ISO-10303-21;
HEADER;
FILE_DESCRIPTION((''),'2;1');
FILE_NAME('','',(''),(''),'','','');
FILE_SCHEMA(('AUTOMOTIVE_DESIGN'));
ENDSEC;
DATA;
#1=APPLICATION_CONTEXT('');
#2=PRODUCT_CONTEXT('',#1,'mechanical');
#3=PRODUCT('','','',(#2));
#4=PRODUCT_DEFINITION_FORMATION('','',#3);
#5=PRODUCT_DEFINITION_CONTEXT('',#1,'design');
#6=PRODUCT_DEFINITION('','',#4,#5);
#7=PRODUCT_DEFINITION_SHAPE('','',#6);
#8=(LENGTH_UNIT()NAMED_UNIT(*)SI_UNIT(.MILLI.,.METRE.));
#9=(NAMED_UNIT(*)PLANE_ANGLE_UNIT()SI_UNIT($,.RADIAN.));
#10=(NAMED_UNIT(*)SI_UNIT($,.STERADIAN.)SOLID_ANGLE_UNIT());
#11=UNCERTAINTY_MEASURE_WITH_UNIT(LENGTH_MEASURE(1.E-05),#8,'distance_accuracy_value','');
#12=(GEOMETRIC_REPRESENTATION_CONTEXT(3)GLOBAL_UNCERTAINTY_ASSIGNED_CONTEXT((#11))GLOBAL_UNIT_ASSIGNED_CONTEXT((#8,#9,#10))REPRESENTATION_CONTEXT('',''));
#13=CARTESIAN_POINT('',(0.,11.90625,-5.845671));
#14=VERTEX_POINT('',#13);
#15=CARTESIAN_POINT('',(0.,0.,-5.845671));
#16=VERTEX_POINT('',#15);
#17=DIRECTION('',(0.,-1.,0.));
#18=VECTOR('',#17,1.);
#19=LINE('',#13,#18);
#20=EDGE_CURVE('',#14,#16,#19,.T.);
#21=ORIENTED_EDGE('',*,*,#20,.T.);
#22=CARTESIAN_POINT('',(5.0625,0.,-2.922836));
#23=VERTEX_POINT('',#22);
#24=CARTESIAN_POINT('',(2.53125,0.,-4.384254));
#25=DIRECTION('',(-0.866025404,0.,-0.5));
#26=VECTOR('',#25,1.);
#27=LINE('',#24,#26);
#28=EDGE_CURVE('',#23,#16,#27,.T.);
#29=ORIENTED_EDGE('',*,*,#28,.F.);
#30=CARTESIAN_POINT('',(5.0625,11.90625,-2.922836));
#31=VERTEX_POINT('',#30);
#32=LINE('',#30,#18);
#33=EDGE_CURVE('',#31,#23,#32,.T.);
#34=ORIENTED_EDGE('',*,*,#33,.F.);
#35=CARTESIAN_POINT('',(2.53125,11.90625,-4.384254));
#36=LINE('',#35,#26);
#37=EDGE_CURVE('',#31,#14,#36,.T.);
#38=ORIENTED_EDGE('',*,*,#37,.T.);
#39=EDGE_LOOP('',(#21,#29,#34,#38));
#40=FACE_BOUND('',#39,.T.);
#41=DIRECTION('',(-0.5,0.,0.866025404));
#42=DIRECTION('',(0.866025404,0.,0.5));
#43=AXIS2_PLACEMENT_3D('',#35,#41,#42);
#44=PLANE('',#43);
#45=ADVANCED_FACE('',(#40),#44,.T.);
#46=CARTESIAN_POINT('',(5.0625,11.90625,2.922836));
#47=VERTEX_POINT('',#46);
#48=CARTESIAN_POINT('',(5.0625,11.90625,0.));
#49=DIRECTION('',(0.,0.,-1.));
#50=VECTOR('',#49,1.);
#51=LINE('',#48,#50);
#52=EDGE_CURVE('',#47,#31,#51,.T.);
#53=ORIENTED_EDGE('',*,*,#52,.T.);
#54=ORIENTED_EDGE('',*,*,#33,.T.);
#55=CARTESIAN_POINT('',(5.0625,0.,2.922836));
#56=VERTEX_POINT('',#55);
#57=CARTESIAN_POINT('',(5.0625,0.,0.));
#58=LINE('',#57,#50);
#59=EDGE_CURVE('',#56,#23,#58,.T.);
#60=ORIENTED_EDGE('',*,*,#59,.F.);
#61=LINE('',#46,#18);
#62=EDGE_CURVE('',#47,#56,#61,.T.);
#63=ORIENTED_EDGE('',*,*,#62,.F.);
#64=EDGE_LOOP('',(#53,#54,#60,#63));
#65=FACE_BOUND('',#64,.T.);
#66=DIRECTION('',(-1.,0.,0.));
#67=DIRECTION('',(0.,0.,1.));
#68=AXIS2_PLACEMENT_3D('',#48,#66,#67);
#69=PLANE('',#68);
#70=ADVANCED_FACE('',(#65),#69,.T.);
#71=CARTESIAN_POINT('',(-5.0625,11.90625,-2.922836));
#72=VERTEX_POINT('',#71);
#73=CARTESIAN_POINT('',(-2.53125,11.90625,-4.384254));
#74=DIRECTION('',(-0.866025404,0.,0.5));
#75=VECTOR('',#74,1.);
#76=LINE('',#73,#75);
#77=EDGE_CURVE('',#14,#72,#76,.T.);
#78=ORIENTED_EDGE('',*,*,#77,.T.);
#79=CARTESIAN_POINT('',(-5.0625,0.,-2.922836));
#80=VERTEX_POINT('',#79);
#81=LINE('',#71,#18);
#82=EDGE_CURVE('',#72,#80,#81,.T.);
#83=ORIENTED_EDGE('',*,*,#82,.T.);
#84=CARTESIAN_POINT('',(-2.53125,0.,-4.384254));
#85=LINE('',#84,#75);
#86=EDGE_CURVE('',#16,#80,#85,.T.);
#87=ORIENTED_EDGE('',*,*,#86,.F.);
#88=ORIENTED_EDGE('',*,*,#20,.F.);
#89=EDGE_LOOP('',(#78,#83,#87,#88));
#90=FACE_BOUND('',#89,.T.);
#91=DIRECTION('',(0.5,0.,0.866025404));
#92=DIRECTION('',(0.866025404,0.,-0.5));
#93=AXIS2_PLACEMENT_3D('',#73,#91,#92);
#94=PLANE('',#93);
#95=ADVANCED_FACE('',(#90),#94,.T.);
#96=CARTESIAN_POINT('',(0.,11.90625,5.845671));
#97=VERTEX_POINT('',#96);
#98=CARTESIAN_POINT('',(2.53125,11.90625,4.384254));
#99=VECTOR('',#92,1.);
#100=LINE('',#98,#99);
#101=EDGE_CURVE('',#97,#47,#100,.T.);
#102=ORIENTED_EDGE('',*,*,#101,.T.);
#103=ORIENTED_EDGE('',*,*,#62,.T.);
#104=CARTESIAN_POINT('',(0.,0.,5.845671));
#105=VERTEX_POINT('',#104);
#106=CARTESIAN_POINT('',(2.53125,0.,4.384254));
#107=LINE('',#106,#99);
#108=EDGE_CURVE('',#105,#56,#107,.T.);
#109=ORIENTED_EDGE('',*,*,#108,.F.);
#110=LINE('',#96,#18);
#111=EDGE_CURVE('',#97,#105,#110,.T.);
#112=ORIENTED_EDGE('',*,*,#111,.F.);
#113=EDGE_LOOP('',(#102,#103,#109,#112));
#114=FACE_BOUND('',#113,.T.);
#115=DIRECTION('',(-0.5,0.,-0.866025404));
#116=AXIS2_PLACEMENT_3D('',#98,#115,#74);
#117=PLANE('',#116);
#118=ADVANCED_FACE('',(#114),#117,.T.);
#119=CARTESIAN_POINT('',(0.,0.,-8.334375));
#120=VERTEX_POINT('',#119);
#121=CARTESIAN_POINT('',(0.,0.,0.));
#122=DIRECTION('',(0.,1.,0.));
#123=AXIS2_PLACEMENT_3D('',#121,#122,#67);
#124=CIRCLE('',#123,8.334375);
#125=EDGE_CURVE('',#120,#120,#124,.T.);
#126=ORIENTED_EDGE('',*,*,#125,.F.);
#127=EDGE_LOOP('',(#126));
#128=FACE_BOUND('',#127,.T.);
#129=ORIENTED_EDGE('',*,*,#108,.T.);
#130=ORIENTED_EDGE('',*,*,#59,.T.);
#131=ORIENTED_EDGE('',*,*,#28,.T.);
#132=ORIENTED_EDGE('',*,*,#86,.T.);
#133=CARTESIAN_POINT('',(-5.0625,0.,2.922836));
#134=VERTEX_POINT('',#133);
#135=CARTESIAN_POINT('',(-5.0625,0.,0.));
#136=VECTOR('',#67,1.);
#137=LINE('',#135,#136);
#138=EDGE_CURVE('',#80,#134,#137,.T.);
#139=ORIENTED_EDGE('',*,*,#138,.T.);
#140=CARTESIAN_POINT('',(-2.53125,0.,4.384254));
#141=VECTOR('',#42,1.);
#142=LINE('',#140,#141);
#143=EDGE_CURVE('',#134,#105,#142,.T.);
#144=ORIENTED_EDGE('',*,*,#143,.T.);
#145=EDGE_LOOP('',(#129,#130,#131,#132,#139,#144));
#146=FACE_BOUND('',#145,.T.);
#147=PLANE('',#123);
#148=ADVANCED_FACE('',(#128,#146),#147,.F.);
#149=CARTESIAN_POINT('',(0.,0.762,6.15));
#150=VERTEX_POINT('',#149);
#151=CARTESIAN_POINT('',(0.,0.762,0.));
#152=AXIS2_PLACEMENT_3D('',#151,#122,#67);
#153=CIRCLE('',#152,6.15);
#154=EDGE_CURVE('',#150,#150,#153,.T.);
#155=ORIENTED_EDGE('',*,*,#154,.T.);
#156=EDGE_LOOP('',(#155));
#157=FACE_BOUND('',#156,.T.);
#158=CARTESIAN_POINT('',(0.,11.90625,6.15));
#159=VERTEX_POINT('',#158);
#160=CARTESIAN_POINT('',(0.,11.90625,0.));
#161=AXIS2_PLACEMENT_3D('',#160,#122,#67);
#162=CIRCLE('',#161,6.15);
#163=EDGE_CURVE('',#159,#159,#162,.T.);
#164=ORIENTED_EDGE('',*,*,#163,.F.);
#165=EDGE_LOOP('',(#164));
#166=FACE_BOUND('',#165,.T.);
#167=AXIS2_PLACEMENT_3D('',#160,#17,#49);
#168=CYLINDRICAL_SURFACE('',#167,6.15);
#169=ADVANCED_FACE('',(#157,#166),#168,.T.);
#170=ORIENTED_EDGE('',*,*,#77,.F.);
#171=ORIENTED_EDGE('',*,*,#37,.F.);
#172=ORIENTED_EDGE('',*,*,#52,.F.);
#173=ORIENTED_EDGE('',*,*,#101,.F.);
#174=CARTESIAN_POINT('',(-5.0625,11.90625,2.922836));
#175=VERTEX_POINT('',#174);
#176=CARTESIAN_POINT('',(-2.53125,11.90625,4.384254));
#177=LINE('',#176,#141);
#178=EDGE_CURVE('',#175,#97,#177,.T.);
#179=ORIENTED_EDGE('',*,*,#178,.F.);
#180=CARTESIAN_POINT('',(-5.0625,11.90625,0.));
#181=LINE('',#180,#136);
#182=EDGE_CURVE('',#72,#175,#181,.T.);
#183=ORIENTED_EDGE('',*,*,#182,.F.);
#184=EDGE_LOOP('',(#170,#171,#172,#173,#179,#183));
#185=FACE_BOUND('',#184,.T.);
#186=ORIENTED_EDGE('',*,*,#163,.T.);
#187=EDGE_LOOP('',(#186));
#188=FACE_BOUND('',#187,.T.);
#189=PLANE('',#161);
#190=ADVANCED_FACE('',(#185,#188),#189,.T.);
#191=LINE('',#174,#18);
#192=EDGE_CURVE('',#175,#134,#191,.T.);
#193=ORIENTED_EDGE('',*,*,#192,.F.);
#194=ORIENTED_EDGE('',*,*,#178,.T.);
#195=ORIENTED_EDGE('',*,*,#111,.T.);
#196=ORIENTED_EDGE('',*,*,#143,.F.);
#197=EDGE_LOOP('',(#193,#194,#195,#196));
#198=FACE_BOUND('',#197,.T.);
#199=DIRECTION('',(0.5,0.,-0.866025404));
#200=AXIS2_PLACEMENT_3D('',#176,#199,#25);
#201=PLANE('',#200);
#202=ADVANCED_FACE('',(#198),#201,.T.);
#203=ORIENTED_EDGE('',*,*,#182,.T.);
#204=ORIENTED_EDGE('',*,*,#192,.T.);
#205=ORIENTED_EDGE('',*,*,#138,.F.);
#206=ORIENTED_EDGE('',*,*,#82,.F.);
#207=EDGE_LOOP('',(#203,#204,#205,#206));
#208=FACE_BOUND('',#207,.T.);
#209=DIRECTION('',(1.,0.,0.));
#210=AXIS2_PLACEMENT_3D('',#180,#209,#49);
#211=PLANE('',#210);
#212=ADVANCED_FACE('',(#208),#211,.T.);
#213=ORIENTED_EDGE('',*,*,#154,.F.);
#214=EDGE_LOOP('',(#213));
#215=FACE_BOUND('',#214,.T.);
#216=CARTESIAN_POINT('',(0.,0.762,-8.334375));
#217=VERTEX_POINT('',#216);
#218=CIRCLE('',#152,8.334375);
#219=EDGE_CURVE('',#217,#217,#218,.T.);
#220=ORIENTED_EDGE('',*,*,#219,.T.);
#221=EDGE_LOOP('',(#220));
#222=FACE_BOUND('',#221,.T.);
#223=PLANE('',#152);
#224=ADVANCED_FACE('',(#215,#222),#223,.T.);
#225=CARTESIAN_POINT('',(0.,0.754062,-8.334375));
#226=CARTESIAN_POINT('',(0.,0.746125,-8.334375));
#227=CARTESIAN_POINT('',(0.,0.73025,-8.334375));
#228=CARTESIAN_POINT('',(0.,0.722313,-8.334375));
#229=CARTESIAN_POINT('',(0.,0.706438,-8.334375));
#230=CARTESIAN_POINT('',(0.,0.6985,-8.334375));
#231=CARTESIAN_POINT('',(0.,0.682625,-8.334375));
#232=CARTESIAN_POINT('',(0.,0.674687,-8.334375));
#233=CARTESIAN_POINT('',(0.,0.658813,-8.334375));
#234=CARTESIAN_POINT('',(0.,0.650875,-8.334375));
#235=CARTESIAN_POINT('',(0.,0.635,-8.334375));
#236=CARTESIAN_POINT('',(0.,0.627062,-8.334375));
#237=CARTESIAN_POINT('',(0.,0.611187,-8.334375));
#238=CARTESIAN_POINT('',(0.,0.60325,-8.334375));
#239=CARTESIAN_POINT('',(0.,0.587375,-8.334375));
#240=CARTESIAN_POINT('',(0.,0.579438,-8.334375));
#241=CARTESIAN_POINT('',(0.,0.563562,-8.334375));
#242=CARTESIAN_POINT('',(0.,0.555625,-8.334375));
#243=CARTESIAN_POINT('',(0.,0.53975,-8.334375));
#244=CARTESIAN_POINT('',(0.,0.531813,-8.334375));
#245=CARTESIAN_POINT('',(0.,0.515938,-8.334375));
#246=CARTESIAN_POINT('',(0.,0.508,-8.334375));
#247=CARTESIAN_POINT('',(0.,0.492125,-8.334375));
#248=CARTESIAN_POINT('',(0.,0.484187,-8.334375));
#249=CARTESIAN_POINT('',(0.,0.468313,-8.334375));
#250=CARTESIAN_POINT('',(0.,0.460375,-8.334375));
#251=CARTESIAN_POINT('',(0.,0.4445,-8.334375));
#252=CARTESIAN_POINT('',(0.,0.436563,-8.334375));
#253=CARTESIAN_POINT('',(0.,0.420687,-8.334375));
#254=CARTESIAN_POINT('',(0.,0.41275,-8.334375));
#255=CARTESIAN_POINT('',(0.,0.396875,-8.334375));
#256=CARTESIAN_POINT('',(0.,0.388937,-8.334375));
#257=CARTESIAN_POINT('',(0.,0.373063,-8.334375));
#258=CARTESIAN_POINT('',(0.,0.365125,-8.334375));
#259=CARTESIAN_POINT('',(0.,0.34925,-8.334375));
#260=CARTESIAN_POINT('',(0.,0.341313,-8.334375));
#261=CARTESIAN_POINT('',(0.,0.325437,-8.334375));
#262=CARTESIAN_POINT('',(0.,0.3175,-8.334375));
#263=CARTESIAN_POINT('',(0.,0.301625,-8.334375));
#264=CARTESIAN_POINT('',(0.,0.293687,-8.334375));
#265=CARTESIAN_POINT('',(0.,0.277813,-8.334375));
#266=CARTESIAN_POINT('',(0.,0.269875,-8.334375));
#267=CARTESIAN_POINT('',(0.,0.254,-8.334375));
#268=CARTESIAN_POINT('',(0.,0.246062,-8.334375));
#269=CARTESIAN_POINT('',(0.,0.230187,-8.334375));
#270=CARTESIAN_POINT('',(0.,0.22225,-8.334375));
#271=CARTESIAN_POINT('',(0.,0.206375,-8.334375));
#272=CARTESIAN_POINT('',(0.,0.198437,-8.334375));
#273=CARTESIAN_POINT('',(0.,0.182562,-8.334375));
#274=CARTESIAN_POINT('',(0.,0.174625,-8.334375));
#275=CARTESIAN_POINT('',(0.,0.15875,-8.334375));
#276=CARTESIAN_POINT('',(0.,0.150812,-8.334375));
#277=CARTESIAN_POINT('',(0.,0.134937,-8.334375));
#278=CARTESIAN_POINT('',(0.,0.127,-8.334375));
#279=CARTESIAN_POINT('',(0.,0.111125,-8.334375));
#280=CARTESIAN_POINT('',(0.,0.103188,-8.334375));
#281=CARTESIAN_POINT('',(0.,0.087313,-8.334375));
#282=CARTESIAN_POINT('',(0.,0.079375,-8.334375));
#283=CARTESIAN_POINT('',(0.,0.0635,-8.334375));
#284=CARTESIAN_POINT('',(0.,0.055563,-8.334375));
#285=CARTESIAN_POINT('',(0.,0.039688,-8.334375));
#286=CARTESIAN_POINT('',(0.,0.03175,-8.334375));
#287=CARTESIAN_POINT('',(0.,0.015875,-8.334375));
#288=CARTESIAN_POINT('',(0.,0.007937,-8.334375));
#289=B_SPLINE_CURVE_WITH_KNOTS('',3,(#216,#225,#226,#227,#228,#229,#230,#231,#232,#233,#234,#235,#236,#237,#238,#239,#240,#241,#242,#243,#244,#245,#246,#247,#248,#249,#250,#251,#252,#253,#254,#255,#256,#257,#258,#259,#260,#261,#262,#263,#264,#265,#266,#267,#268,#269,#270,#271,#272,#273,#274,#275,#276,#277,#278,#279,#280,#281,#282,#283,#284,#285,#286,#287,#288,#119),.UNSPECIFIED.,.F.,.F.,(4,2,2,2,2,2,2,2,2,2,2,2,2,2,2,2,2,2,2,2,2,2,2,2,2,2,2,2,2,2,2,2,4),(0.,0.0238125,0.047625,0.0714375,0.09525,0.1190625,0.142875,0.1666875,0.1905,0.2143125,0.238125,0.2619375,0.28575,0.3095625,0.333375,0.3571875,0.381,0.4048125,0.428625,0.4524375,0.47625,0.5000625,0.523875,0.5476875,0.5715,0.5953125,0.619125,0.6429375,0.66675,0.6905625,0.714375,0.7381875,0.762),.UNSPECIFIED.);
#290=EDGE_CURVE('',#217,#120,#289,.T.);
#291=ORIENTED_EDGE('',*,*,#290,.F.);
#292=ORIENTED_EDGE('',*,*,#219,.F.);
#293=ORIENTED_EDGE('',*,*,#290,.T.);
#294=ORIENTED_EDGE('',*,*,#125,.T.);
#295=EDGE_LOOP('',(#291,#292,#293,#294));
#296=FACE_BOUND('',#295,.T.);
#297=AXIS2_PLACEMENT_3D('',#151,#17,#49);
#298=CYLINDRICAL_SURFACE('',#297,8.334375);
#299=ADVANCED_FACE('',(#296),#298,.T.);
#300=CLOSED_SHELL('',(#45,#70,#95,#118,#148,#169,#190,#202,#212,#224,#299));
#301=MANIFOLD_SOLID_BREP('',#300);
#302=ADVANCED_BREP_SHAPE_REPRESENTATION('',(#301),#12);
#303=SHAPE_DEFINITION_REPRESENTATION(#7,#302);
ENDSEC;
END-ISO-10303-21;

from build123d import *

# Parameters (mm, degrees)
SKETCH1_R           = 6.15
BOSS_EXTRUDE1_DEPTH = 11.90625
SKETCH1_3_R         = 8.334375
SKETCH1_3_R_2       = 6.15
BOSS_EXTRUDE2_DEPTH = 0.762


with BuildPart() as part:
    # Sketch1 → Boss-Extrude1 (new body)
    with BuildSketch(Plane(origin=(0, 0, 0), x_dir=(1, 0, 0), z_dir=(0, 1, 0))):
        Circle(SKETCH1_R)
        Polygon((-5.0625, 2.922835738), (0, 5.845671476), (5.0625, 2.922835738), (5.0625, -2.922835738), (0, -5.845671476), (-5.0625, -2.922835738), align=None, mode=Mode.SUBTRACT)
    extrude(amount=BOSS_EXTRUDE1_DEPTH)

    # Sketch1<3> → Boss-Extrude2 (add)
    with BuildSketch(Plane(origin=(0, 0, 0), x_dir=(1, 0, 0), z_dir=(0, 1, 0))):
        Circle(SKETCH1_3_R)
        Circle(SKETCH1_3_R_2, mode=Mode.SUBTRACT)
    extrude(amount=BOSS_EXTRUDE2_DEPTH)


solid = part.part
